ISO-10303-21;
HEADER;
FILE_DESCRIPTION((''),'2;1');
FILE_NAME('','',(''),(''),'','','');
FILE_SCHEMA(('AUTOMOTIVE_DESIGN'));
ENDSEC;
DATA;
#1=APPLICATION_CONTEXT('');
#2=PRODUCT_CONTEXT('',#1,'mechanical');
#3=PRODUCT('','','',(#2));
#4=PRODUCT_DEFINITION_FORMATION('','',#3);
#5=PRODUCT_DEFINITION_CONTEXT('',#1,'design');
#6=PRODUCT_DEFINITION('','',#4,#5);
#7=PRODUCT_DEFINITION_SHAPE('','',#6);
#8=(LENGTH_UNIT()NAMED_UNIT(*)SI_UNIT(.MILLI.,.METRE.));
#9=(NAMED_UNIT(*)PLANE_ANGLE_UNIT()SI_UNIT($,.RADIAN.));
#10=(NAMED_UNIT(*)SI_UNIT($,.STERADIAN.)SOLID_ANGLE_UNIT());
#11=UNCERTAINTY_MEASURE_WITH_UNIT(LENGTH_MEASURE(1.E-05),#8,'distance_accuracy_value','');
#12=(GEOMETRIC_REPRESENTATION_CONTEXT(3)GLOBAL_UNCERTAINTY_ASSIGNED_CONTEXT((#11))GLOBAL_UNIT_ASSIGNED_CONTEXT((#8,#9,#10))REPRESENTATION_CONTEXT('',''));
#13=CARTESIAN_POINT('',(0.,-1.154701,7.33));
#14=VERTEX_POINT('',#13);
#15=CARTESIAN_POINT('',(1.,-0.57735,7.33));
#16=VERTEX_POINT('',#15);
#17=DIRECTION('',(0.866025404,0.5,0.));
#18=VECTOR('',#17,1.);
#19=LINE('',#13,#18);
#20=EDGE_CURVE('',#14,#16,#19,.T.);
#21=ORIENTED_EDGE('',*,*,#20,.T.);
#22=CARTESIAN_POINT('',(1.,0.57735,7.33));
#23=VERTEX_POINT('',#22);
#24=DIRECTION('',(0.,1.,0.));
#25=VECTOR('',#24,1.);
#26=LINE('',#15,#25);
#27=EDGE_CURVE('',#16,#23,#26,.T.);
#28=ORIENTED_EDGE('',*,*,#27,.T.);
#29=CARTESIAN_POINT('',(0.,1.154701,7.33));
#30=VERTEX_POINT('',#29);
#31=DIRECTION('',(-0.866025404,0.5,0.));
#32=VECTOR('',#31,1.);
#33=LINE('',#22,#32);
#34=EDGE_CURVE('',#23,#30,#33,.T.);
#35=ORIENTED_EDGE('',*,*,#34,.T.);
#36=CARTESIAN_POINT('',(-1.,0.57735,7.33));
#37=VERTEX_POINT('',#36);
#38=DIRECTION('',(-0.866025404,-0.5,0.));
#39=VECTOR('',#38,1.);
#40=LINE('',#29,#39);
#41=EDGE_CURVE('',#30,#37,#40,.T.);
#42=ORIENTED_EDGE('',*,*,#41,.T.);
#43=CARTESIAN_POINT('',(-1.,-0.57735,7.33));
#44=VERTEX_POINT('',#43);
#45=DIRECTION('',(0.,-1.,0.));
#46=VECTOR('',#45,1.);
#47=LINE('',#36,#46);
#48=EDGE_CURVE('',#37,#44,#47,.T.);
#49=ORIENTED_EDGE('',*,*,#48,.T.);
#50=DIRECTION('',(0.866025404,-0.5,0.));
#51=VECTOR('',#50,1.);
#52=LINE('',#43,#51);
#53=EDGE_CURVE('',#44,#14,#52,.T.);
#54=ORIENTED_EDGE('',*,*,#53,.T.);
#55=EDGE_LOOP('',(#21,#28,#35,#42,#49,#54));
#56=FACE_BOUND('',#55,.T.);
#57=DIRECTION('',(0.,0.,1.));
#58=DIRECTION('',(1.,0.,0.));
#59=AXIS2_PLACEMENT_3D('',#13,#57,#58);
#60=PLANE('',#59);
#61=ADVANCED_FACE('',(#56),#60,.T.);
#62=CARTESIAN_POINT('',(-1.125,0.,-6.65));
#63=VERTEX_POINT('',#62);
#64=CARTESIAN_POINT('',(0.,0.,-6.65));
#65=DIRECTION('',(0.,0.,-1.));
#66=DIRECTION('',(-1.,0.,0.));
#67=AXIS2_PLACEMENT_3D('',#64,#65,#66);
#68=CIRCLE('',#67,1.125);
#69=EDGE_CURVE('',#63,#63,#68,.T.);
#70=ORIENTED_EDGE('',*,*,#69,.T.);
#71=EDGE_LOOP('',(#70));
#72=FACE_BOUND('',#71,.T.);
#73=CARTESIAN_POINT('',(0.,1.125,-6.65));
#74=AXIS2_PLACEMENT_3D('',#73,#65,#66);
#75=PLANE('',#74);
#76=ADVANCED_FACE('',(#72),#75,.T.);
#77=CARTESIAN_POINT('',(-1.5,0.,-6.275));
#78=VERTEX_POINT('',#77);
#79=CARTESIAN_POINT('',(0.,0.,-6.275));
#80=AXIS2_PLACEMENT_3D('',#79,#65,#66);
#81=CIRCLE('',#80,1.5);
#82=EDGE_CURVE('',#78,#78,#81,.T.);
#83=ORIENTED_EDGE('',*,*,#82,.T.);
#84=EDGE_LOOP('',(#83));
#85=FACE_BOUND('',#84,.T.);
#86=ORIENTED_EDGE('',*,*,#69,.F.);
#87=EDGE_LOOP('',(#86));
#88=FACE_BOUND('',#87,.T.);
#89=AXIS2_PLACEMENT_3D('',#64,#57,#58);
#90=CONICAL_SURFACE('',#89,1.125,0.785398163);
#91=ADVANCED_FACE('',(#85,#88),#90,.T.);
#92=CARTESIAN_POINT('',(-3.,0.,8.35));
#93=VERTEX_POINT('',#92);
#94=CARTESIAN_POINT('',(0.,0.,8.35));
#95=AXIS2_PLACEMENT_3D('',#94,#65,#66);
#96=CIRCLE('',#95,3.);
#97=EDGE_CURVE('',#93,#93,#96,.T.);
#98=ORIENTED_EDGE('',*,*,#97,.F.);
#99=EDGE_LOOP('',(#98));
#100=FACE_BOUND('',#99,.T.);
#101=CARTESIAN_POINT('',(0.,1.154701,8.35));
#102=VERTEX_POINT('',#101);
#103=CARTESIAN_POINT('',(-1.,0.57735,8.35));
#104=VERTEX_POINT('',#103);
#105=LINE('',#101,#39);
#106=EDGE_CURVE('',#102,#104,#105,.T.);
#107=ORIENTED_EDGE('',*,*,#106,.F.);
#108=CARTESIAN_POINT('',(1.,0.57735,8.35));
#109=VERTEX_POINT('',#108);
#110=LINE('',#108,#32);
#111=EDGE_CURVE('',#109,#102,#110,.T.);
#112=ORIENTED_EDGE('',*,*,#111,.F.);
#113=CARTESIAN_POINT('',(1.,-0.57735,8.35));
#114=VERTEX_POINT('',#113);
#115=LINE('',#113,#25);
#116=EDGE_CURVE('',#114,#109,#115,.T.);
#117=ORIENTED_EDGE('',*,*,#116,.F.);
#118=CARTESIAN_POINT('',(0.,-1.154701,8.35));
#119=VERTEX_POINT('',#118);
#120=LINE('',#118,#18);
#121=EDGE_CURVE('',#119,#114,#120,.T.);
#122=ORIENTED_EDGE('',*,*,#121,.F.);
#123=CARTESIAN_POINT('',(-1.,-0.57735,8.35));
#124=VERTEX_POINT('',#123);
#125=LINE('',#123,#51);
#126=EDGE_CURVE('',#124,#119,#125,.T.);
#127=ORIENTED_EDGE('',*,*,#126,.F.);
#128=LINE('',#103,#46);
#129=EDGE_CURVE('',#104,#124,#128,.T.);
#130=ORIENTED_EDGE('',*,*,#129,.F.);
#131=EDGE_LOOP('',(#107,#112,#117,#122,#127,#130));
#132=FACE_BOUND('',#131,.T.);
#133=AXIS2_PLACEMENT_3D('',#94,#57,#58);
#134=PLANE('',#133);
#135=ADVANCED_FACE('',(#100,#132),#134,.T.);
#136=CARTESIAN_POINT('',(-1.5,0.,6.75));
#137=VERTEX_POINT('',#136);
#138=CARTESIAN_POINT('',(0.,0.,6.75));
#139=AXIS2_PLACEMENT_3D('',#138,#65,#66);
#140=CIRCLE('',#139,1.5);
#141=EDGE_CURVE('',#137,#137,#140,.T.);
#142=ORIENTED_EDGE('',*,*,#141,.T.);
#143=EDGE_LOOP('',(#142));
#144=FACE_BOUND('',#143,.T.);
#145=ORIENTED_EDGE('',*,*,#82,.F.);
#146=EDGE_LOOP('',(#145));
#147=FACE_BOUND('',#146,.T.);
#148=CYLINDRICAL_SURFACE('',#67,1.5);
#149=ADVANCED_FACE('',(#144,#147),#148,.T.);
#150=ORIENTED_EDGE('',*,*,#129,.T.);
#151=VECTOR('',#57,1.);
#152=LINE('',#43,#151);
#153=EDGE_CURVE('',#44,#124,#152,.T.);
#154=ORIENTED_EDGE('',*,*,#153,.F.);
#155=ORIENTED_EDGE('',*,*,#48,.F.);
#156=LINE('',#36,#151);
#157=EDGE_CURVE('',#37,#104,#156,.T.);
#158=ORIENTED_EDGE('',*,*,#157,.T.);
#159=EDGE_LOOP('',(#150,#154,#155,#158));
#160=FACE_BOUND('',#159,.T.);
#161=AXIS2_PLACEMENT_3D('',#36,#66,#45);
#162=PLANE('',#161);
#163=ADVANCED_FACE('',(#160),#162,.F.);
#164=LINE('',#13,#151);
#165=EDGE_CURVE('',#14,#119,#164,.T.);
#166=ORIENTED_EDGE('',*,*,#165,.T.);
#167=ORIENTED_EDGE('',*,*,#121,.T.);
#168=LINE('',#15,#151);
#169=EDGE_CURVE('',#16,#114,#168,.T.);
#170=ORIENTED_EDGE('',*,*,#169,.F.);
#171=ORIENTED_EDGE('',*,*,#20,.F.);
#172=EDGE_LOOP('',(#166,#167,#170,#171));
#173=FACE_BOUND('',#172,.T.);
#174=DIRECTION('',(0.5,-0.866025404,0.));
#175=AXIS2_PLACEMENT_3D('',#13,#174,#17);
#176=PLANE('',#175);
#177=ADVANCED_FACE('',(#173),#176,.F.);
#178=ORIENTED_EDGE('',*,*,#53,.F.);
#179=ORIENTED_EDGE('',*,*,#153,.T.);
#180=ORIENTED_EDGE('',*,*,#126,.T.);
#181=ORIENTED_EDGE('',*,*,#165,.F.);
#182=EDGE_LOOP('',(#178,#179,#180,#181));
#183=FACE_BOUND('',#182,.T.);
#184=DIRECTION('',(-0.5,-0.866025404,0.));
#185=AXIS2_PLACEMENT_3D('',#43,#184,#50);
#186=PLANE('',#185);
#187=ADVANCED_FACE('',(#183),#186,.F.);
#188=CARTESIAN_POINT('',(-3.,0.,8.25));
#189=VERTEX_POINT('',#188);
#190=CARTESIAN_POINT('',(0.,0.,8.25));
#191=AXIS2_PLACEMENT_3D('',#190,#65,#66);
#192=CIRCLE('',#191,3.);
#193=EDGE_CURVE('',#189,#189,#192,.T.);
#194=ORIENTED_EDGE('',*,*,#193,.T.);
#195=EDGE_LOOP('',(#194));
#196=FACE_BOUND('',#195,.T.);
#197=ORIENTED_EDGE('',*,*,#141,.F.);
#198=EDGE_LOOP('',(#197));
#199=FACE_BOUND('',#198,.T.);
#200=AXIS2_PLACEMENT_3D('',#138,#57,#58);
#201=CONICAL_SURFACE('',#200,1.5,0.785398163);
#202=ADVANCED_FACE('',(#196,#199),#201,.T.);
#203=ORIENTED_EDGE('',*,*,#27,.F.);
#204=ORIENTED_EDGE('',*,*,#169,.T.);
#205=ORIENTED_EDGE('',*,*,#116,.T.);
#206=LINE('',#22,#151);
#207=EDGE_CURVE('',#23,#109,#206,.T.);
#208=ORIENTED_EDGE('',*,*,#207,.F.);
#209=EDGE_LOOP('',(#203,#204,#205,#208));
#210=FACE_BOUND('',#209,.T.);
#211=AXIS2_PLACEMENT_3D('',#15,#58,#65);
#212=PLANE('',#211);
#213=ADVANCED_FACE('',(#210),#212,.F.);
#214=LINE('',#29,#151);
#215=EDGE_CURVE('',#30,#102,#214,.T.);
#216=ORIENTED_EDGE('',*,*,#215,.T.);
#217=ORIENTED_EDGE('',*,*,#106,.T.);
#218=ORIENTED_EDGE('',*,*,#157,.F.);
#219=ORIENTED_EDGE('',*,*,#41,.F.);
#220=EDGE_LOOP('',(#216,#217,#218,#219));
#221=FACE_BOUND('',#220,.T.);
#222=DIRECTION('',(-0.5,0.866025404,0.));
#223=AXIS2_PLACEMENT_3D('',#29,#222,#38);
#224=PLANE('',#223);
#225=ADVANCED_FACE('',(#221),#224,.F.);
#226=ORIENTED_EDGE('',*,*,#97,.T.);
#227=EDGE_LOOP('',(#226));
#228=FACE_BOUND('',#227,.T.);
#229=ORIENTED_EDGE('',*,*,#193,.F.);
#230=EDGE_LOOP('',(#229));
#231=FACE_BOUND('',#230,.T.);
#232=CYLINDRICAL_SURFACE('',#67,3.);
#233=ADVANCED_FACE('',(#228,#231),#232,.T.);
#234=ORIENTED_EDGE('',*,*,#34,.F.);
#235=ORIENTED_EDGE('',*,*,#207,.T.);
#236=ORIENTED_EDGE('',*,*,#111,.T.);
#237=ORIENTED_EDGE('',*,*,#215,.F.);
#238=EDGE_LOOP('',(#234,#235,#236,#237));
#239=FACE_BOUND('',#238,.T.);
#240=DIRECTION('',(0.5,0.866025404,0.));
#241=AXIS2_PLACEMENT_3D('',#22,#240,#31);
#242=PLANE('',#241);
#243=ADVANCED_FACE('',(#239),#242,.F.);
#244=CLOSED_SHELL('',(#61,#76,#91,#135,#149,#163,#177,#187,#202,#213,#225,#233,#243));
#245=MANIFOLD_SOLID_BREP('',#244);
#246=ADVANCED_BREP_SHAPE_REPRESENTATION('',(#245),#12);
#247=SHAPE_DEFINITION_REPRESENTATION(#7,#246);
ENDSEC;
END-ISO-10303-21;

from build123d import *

# Parameters (mm, degrees)
CUT_EXTRUDE2_DEPTH = 1.02


with BuildPart() as part:
    # Sketch14 → Revolve1 (revolve)
    with BuildSketch(Plane(origin=(0, 0, 0), x_dir=(0, 0, -1), z_dir=(1, 0, 0)), mode=Mode.PRIVATE) as revolve1_sk:
        Polygon((-8.35, 0), (-8.35, 3), (-8.25, 3), (-6.75, 1.5), (-6.65, 1.5), (6.275, 1.5), (6.65, 1.125), (6.65, 0), align=None)
    revolve(revolve1_sk.sketch.rotate(Axis((0, 0, -6.65), (0, 0, 1)), 90), axis=Axis((0, 0, -6.65), (0, 0, 1)))

    # Sketch5 → Cut-Extrude2 (cut)
    with BuildSketch(Plane.XY.offset(8.35)):
        Polygon((0, -1.154700538), (1, -0.577350269), (1, 0.577350269), (0, 1.154700538), (-1, 0.577350269), (-1, -0.577350269), align=None)
    extrude(amount=-CUT_EXTRUDE2_DEPTH, mode=Mode.SUBTRACT)


solid = part.part
